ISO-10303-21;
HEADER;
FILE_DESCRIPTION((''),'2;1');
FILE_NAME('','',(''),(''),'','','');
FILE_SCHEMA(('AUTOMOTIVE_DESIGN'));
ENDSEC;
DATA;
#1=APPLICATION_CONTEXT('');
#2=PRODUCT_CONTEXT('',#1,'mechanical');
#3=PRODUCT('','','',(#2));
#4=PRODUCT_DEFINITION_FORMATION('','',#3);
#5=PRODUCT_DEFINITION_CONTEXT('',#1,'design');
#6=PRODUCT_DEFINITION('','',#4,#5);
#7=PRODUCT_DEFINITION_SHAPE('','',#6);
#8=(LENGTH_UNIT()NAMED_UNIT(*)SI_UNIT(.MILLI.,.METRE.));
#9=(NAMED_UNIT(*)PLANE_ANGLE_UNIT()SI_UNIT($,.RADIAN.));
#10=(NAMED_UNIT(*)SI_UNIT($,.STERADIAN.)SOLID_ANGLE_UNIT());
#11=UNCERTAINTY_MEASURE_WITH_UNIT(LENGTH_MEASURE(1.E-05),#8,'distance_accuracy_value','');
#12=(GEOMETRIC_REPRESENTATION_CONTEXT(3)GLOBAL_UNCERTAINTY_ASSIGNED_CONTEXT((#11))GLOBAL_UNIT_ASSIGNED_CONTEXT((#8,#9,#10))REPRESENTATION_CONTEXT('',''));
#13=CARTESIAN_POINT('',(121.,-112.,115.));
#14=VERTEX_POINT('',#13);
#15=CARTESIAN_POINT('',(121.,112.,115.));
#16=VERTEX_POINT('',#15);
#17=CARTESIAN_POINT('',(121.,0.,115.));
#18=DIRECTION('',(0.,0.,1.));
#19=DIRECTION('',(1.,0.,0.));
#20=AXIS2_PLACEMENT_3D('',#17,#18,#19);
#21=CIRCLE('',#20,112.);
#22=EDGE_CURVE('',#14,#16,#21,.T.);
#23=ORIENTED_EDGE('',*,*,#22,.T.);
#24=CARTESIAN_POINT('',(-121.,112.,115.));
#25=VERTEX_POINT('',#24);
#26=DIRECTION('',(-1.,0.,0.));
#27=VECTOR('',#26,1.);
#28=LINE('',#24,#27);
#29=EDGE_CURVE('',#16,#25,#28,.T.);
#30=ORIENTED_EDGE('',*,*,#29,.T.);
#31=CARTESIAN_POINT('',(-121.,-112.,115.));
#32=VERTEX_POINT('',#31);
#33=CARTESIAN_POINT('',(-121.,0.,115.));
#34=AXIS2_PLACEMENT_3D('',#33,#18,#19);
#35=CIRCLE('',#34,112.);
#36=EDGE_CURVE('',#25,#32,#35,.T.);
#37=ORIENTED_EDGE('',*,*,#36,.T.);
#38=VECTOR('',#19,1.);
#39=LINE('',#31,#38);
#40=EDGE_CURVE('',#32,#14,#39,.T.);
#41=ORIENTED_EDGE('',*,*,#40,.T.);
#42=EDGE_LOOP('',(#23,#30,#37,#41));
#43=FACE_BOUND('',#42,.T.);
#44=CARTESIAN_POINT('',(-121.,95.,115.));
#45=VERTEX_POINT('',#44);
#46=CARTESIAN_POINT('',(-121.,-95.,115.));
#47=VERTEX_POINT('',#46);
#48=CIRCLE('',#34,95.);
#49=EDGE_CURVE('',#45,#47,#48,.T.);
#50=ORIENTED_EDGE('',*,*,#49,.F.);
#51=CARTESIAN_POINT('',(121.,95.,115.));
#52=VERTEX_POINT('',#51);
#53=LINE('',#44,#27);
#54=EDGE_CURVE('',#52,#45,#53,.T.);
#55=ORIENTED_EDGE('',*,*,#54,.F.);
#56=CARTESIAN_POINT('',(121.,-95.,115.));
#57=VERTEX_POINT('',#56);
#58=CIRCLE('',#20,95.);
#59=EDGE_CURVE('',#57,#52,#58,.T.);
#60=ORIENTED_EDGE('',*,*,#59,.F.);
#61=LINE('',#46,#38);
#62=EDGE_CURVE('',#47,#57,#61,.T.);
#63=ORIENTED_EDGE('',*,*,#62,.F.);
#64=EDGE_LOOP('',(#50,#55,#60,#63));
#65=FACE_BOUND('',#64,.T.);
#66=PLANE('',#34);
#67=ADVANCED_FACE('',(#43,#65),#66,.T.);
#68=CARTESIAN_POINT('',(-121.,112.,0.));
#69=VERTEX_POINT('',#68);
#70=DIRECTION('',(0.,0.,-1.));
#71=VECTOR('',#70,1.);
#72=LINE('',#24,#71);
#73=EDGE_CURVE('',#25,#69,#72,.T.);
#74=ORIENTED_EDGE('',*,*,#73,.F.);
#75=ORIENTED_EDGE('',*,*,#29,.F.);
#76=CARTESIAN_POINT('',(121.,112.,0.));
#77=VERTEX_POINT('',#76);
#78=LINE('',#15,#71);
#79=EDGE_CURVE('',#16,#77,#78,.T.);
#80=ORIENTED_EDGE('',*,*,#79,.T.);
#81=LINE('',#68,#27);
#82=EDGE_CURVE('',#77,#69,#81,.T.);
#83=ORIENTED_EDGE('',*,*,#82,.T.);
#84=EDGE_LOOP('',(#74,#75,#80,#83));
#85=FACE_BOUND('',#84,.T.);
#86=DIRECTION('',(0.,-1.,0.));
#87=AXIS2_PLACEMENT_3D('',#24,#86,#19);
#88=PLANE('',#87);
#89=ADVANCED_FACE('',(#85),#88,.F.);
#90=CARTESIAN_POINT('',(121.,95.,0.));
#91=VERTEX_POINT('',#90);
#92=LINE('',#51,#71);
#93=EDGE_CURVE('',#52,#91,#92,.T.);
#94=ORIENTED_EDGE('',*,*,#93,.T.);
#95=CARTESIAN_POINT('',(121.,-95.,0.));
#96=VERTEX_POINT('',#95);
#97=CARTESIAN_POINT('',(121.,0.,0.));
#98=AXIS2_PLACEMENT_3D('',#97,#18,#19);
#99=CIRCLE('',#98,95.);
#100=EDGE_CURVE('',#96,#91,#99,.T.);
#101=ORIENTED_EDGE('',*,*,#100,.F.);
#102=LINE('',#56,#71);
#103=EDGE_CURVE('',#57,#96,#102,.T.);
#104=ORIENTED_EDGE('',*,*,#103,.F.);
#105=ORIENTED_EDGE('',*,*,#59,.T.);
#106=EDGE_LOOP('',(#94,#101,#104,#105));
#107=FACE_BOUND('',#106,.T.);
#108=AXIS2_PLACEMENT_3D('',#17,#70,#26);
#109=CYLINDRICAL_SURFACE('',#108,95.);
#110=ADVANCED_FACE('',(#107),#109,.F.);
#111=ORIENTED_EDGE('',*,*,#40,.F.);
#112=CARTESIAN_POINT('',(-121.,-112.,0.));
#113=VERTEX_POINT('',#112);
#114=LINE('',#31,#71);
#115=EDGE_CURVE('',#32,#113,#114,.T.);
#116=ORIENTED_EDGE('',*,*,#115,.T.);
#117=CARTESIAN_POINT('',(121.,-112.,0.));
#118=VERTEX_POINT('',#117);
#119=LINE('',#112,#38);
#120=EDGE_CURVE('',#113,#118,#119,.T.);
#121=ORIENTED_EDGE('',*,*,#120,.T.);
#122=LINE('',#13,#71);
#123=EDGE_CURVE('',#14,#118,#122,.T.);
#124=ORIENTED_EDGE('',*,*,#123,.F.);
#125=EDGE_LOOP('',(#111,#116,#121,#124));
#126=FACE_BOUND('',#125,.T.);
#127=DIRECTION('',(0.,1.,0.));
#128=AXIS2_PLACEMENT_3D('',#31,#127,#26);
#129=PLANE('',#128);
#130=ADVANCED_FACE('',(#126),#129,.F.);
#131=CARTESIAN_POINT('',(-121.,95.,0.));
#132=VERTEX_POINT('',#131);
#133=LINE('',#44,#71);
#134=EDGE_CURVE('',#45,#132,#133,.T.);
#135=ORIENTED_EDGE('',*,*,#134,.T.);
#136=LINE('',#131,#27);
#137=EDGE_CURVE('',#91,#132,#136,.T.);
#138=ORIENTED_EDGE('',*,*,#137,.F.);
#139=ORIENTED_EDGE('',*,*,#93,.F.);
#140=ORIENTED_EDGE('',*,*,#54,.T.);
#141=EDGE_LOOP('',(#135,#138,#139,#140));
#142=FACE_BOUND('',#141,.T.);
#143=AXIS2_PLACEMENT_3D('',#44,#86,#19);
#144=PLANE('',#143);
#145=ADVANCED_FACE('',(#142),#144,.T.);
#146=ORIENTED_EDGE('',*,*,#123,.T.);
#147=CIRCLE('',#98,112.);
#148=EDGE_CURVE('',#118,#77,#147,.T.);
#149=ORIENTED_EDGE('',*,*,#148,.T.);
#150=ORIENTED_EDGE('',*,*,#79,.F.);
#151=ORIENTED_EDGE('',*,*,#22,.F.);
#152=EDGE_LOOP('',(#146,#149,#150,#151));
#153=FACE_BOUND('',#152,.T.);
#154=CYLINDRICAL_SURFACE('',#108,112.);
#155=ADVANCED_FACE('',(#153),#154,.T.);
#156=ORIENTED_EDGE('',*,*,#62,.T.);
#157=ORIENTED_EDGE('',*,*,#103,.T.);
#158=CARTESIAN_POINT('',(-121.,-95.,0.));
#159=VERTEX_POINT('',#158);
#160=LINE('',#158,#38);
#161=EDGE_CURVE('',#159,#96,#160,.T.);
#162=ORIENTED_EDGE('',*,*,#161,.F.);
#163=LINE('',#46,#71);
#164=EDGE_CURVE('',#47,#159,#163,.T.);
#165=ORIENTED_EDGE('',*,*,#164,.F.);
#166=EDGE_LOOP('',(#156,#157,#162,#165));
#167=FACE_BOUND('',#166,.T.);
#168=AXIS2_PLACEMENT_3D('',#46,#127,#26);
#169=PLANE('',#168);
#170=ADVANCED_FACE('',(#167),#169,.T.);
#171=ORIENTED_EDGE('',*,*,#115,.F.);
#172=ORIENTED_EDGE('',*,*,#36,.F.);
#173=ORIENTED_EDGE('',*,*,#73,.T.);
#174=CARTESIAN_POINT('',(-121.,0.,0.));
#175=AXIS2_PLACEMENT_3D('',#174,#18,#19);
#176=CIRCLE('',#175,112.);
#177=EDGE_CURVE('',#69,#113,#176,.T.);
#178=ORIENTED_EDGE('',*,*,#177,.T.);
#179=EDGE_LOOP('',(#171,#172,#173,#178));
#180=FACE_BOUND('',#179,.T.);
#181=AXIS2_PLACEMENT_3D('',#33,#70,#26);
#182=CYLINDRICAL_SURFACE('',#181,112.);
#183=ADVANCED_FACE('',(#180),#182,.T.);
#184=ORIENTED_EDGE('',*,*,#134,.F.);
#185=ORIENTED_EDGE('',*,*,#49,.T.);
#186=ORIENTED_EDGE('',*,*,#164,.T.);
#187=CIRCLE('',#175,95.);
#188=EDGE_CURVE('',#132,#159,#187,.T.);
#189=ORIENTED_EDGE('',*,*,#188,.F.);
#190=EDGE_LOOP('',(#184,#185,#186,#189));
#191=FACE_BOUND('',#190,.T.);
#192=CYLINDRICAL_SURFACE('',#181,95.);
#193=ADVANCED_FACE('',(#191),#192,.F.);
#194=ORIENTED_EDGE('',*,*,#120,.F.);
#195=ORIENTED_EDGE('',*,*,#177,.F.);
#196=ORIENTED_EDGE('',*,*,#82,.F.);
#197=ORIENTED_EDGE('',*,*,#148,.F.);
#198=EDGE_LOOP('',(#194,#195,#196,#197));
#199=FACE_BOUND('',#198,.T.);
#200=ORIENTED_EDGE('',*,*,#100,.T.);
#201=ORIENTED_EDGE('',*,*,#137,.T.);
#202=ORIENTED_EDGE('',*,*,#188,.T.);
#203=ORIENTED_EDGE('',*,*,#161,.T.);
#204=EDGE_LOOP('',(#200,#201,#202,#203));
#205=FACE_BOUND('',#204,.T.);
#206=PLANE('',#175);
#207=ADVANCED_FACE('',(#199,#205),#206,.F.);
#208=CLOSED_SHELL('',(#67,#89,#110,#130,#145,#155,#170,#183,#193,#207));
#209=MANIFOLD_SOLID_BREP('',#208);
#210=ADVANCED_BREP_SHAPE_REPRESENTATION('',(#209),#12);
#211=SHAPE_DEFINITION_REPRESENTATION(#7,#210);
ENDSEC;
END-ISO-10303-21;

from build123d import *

# Parameters (mm, degrees)
ESTRUSIONE_ESTRUSIONE1_DEPTH = 115


with BuildPart() as part:
    # Schizzo1 → Estrusione-Estrusione1 (new body)
    with BuildSketch(Plane.XY):
        with BuildLine():
            Line((-121, 112), (121, 112))
            ThreePointArc((121, 112), (233, 0), (121, -112))
            Line((121, -112), (-121, -112))
            ThreePointArc((-121, -112), (-233, 0), (-121, 112))
        make_face()
        with BuildLine():
            Line((-121, 95), (121, 95))
            ThreePointArc((121, 95), (216, 0), (121, -95))
            Line((121, -95), (-121, -95))
            ThreePointArc((-121, -95), (-216, 0), (-121, 95))
        make_face(mode=Mode.SUBTRACT)
    extrude(amount=ESTRUSIONE_ESTRUSIONE1_DEPTH)


solid = part.part
